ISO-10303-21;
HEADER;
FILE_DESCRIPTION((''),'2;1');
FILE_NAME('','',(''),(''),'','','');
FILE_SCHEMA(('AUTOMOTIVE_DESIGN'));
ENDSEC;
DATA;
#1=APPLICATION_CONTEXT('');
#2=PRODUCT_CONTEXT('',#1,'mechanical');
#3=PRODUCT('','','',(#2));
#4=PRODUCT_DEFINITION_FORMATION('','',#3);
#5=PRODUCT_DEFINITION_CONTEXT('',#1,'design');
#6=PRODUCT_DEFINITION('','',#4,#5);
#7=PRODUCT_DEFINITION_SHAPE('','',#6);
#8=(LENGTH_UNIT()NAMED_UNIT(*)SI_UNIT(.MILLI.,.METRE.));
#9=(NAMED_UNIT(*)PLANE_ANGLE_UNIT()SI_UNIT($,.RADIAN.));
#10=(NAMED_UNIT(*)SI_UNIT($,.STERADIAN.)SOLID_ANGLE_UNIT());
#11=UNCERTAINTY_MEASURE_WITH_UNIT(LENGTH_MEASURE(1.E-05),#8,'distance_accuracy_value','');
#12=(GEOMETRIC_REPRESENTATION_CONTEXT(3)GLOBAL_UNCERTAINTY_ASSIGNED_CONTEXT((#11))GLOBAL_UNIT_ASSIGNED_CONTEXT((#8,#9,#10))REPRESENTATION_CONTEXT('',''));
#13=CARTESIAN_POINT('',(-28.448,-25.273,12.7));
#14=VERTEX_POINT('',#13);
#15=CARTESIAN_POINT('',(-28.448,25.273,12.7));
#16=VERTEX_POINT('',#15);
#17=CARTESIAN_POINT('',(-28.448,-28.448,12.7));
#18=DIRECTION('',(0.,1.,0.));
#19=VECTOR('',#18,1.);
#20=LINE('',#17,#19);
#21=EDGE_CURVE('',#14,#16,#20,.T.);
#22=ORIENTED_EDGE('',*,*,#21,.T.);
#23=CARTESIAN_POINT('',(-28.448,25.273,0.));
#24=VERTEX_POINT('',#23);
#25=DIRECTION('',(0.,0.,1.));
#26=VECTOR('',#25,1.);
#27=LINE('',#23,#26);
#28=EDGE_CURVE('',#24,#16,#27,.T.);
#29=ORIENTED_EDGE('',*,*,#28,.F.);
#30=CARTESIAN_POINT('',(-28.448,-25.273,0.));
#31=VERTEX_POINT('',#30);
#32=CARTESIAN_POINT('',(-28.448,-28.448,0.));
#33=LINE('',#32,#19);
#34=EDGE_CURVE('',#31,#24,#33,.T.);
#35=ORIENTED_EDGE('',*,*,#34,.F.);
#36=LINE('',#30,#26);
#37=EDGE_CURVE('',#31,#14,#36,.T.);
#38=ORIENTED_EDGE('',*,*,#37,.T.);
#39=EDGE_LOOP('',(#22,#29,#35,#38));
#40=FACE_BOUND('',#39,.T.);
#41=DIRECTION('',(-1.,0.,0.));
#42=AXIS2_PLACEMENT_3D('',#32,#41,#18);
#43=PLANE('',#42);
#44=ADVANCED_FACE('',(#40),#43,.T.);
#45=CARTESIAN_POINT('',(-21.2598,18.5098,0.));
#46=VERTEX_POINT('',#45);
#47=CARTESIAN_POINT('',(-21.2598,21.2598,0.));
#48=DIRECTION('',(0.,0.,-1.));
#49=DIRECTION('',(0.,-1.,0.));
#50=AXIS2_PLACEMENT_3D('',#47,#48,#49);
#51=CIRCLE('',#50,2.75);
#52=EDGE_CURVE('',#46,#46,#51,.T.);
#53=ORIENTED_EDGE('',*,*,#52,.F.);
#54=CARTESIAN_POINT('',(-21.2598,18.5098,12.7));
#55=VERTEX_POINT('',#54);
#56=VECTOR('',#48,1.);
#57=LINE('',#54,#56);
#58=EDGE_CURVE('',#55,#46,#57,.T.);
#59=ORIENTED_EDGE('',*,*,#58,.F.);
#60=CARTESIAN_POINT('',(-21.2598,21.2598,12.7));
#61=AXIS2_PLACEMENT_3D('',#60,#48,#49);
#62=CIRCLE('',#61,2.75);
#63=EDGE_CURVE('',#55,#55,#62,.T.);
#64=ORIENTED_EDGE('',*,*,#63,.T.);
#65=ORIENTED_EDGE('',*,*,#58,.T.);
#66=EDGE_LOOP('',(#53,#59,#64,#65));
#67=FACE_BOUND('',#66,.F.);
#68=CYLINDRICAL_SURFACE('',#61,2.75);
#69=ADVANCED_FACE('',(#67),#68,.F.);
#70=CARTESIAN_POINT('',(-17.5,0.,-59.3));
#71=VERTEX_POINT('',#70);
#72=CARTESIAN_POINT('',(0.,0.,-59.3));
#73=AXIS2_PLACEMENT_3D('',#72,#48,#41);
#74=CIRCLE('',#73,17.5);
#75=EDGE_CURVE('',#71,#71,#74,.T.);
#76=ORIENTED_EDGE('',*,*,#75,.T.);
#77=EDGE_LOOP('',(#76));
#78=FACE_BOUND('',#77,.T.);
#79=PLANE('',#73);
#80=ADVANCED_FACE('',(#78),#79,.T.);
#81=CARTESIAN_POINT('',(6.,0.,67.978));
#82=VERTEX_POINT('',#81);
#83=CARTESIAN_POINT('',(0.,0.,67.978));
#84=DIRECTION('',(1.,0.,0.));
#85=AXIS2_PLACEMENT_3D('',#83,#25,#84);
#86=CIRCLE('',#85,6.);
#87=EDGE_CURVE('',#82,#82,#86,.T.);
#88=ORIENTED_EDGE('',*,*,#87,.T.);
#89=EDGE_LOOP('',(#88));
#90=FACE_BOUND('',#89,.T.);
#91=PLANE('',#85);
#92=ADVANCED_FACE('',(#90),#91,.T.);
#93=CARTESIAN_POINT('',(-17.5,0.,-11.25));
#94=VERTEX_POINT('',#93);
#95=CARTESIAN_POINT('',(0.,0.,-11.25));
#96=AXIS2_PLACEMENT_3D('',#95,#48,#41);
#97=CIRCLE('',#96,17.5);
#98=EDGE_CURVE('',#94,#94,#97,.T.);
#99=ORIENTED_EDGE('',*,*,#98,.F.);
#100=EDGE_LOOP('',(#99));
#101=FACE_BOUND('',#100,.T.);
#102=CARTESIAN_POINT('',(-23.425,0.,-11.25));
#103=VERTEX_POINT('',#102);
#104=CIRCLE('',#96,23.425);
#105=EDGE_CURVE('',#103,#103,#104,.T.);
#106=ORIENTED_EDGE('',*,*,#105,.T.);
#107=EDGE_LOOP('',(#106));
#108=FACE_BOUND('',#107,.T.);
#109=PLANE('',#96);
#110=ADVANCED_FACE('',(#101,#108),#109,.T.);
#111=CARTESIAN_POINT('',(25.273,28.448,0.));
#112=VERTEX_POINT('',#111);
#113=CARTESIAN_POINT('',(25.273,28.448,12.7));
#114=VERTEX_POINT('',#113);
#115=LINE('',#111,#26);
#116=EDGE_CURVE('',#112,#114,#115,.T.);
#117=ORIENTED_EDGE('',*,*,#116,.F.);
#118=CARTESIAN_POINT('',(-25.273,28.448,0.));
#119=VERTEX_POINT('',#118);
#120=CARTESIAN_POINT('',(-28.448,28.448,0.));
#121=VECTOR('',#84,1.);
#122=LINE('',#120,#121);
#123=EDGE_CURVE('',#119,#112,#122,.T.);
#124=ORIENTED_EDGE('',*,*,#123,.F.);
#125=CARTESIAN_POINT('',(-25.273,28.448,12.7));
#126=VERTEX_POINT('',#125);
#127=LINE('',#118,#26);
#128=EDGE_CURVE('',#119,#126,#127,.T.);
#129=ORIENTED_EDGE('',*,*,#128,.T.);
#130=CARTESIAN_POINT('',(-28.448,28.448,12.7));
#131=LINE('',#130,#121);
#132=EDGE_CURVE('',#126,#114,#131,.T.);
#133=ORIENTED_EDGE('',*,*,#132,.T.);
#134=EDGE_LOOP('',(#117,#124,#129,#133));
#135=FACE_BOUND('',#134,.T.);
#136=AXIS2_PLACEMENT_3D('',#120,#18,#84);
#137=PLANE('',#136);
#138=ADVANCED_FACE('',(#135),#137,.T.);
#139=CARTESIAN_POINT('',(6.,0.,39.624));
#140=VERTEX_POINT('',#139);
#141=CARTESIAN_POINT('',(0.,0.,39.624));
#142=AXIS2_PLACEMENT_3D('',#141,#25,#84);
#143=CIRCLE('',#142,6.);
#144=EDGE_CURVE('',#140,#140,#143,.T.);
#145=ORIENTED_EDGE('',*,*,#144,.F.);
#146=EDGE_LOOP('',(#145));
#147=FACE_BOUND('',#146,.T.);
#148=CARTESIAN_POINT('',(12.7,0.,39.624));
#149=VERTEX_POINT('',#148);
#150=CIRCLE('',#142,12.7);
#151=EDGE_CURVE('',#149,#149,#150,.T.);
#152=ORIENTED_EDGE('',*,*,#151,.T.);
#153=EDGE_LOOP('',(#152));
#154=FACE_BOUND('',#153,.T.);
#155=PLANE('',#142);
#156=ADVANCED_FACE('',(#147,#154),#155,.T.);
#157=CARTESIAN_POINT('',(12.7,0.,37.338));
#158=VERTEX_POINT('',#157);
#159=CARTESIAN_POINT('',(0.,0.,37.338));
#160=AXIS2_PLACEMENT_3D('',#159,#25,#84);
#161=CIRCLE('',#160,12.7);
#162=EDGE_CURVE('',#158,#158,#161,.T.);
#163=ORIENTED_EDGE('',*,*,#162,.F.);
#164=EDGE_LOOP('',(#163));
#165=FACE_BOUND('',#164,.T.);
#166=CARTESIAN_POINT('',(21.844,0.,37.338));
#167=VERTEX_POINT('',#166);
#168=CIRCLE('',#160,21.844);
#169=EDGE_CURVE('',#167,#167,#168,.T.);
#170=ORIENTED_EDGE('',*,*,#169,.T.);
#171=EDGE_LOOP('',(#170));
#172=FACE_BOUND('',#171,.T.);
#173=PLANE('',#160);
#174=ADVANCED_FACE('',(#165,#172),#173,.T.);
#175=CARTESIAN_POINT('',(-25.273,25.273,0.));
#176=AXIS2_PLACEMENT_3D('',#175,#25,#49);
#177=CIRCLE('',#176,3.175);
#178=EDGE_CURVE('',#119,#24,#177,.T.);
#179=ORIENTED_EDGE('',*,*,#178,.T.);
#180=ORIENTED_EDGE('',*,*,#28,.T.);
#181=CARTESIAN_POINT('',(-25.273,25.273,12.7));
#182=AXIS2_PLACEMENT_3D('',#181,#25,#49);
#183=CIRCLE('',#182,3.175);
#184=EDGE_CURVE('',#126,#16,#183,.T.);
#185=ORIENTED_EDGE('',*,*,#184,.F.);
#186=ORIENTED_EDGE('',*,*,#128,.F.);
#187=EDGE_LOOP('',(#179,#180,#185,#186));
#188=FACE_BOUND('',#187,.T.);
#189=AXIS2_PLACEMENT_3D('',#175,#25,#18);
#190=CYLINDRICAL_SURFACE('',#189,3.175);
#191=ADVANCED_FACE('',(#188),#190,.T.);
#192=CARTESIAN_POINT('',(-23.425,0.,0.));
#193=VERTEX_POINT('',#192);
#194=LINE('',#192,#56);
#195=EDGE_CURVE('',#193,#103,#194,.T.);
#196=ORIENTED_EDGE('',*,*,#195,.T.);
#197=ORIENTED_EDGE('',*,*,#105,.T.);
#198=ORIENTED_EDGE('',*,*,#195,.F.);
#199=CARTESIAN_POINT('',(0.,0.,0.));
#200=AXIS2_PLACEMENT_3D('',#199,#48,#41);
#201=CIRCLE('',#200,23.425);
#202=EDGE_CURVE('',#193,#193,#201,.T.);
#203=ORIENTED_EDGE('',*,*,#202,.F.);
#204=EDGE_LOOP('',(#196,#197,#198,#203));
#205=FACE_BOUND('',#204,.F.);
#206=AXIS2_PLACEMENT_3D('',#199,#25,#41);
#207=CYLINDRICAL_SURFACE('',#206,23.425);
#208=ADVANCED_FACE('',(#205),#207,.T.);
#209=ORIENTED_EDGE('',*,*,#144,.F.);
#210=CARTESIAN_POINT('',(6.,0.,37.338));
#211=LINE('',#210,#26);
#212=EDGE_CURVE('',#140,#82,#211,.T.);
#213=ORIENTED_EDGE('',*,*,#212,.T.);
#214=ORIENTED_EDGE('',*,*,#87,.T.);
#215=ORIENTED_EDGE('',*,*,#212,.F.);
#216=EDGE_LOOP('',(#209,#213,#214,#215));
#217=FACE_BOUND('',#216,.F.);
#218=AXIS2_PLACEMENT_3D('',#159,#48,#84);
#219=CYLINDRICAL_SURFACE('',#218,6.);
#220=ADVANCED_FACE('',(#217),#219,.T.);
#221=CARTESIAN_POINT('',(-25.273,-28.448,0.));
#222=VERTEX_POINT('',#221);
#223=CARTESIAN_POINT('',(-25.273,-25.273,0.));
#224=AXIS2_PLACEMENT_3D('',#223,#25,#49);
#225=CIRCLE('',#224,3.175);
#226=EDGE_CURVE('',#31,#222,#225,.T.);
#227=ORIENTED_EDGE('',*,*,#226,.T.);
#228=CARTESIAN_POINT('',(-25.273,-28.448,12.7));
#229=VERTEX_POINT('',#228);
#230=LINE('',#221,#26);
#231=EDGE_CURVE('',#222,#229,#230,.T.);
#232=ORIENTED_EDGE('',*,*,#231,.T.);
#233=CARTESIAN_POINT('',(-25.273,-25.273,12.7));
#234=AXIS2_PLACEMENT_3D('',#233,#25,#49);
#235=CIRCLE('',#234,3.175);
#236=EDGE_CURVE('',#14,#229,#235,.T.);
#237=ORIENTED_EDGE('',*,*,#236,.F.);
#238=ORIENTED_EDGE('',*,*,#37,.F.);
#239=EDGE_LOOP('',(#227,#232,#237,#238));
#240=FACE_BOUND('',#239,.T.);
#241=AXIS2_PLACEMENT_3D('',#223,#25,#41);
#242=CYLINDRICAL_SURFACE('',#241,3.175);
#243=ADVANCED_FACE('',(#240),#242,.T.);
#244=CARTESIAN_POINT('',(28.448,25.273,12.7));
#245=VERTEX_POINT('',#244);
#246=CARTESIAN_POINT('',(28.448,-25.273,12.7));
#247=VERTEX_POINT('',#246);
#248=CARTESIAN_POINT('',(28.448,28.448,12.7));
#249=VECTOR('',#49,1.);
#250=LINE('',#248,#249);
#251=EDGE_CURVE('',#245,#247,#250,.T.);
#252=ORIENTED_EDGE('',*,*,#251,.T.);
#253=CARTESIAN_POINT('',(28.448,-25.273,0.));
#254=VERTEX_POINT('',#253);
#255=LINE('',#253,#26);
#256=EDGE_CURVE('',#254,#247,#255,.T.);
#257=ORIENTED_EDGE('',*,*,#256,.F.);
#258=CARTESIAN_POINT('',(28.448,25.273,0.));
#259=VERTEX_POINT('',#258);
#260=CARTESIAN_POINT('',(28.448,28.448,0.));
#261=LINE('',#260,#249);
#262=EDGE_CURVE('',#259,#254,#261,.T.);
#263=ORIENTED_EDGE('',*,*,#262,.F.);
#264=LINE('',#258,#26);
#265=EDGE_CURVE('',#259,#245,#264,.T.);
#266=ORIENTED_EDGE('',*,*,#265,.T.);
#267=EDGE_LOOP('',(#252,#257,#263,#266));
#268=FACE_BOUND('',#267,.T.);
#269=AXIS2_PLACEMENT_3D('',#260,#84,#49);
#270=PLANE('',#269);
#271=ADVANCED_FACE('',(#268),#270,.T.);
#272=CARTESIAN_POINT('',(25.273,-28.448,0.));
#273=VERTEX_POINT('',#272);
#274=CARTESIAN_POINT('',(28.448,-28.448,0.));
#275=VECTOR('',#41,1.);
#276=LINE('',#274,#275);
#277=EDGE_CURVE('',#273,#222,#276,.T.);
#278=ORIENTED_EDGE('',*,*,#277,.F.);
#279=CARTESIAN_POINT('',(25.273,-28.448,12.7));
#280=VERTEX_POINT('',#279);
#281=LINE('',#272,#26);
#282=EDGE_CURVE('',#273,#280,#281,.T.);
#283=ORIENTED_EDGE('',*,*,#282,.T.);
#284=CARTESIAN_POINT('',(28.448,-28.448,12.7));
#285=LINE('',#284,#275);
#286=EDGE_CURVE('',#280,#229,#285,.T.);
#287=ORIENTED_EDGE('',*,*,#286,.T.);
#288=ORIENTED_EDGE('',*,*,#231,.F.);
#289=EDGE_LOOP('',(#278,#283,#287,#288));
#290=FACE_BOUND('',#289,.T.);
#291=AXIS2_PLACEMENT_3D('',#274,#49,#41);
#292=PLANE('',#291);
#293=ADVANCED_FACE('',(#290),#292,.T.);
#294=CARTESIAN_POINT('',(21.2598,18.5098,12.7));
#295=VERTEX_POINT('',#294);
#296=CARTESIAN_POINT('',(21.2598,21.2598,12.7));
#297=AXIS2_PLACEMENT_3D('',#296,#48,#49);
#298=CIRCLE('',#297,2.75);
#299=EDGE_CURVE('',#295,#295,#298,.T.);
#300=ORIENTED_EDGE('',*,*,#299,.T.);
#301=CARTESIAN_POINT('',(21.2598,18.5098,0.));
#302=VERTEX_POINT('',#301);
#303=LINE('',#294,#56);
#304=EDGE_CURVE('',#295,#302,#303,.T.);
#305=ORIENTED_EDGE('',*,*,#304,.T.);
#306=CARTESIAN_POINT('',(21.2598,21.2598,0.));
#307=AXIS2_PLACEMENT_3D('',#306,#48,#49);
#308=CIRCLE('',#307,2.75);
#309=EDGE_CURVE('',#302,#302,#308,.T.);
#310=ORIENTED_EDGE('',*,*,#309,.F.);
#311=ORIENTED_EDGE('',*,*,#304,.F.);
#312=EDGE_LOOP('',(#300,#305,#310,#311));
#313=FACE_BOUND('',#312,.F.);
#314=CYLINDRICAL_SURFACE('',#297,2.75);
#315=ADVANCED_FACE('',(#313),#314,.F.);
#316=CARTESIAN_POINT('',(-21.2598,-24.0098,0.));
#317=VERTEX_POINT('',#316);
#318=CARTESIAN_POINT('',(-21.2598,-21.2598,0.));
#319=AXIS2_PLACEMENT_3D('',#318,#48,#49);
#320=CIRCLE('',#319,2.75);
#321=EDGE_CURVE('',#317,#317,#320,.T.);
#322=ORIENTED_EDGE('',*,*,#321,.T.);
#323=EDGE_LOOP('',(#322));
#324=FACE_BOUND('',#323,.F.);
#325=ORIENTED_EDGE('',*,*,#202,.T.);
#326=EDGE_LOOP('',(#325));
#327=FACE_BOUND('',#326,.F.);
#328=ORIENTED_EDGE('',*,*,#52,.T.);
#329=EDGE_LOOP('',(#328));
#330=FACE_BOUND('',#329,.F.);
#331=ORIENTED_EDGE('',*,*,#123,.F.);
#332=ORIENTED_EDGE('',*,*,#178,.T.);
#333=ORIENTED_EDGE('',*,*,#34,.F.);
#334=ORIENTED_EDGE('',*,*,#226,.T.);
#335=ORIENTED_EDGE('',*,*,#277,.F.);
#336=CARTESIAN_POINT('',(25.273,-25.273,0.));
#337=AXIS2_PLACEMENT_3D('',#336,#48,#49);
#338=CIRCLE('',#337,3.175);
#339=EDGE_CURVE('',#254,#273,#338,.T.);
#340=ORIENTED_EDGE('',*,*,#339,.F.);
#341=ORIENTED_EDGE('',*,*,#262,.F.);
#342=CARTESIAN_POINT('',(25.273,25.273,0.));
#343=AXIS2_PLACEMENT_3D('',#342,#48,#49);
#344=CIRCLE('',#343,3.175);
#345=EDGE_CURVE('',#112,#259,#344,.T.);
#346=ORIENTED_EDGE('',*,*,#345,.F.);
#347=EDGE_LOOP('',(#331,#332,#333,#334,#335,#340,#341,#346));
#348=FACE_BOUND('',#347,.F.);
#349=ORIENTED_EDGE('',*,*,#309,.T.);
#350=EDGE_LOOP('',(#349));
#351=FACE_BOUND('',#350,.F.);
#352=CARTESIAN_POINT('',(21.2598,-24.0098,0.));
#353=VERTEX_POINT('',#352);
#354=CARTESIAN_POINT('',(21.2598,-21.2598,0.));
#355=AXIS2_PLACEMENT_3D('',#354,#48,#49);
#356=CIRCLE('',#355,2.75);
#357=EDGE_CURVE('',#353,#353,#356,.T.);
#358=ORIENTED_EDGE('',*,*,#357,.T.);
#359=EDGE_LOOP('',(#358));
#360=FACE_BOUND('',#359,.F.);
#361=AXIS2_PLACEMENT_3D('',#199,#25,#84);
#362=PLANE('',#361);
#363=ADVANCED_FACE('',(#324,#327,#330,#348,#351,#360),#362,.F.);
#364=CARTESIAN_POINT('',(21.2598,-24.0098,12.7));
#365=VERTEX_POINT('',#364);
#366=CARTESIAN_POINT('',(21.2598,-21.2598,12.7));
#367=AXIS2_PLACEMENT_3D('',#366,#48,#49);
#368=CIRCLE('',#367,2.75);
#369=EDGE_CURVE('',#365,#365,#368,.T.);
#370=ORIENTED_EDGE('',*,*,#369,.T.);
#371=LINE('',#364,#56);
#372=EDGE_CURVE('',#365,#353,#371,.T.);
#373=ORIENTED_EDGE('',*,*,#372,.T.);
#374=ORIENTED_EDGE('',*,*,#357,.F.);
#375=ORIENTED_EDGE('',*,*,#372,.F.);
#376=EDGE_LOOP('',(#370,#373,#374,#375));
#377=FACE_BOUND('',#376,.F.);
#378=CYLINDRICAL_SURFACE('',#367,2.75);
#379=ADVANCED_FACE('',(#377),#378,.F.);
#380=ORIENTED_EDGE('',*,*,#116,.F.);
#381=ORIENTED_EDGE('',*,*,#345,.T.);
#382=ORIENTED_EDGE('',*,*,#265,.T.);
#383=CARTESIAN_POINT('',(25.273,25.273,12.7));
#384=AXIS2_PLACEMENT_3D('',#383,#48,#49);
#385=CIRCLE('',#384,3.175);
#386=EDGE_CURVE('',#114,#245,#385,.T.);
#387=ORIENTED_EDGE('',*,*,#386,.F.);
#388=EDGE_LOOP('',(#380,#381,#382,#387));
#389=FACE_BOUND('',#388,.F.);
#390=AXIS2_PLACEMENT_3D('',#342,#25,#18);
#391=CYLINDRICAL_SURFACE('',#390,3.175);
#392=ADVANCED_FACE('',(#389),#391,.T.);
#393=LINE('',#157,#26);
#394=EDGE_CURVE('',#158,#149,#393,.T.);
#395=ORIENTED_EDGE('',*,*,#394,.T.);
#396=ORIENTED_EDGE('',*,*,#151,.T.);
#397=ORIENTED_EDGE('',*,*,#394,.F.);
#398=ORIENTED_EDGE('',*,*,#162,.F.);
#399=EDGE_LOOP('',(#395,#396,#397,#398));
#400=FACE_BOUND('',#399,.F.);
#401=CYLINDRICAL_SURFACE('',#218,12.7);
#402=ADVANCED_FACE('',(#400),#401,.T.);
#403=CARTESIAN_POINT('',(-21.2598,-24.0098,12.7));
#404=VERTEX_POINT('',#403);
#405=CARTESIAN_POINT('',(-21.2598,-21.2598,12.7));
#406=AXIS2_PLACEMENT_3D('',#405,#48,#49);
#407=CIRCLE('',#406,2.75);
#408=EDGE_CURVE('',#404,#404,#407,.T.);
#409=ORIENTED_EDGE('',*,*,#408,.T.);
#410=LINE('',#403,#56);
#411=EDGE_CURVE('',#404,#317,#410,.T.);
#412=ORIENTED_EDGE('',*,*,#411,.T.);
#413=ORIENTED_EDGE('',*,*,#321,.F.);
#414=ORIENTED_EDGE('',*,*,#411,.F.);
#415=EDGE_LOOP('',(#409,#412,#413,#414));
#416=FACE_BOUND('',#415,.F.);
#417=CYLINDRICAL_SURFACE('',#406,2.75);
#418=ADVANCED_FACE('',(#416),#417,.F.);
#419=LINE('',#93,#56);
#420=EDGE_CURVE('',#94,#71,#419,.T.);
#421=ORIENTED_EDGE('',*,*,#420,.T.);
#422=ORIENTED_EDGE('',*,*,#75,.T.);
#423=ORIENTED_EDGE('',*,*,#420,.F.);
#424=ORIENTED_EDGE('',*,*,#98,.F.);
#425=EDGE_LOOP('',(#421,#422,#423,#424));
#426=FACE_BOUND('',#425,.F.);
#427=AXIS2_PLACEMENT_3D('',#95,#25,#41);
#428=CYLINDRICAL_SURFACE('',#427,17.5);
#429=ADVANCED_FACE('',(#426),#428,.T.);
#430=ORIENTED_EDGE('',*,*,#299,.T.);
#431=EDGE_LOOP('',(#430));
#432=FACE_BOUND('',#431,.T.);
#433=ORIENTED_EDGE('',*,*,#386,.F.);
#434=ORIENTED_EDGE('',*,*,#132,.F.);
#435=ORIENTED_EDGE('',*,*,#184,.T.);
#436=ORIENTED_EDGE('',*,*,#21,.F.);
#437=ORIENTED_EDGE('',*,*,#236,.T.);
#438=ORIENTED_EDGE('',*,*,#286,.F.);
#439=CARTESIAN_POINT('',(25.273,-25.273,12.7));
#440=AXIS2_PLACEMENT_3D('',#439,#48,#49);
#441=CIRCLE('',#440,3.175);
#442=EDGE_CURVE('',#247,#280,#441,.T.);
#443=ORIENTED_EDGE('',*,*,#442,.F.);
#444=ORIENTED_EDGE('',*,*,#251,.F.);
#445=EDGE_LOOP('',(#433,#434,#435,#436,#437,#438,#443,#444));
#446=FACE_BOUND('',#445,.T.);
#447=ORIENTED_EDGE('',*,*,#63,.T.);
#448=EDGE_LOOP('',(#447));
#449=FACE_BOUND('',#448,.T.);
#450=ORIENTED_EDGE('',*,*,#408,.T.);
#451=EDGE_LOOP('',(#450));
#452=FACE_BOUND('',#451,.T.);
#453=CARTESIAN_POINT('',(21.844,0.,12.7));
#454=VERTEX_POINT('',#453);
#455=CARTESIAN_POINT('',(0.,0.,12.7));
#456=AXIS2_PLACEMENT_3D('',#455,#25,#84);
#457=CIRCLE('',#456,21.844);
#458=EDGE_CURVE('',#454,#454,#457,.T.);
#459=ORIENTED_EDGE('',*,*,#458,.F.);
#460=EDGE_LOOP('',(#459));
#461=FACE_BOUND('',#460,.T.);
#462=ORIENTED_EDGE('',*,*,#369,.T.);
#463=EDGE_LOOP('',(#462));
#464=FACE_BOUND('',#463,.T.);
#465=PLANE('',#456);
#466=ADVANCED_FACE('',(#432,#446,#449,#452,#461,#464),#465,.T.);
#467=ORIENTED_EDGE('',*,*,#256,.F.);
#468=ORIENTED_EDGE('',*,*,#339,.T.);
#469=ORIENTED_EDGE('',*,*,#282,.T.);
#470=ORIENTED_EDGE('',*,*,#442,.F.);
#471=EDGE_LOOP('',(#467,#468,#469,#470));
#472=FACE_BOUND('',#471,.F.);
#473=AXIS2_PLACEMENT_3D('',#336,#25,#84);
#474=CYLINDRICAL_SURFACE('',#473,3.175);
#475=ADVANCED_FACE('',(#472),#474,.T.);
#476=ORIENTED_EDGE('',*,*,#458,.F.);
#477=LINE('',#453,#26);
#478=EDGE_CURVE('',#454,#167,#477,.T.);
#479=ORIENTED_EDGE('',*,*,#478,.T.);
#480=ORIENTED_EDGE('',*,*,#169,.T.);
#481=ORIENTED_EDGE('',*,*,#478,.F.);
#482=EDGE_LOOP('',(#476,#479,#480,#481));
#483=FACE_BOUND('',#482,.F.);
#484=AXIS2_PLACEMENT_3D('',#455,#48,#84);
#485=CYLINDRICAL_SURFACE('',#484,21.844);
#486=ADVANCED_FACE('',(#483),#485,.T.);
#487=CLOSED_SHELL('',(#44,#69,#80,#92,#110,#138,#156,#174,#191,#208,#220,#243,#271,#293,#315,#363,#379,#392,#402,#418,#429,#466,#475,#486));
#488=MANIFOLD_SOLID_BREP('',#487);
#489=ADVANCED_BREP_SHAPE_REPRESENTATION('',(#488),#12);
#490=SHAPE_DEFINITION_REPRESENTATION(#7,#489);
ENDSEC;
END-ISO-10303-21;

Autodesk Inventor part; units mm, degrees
ref_plane "YZ Plane" through (0, 0, 0) normal (1, 0, 0) x (0, 1, 0)
ref_plane "XZ Plane" through (0, 0, 0) normal (0, 1, 0) x (-1, 0, 0)
ref_plane "XY Plane" through (0, 0, 0) normal (0, 0, 1) x (1, 0, 0)
sketch "Sketch1" plane through (0, 0, 0) normal (0, 0, 1) x (1, 0, 0)
  line L0 (-28.448, 28.448) -> (28.448, 28.448)
  line L1 (28.448, 28.448) -> (28.448, -28.448)
  line L2 (28.448, -28.448) -> (-28.448, -28.448)
  line L3 (-28.448, -28.448) -> (-28.448, 28.448)
  point P0 (0, 0)
  point P1 (-28.448, 0)
  point P2 (0, 28.448)
  dimension "d0" = 56.896
extrude "Extrusion1" add sketch "Sketch1" along normal blind 12.7
sketch "Sketch2" plane through (0, 0, 12.7) normal (0, 0, 1) x (1, 0, 0)
  circle A0 centre (0, 0) radius 21.844
  dimension "d4" = 43.688
extrude "Extrusion2" add sketch "Sketch2" along normal blind 24.638
sketch "Sketch3" plane through (0, 0, 37.338) normal (0, 0, 1) x (1, 0, 0)
  circle A0 centre (0, 0) radius 21.844 projected
  circle A1 centre (0, 0) radius 6
  dimension "d8" = 12
extrude "Extrusion3" add sketch "Sketch3" along normal blind 30.64 contours A1
thread "Thread1" size "1/2-13 UNC" class "2A" standard "ANSI Unified Screw Threads" full length
sketch "Sketch4" plane through (0, 0, 0) normal (0, 0, -1) x (-1, 0, 0)
  circle A0 centre (0, 0) radius 23.425
  dimension "d14" = 46.85
extrude "Extrusion4" add sketch "Sketch4" along normal blind 11.25
fillet "Fillet1" radius 3.175 4 edges at (28.448, 28.448, 6.35) (-28.448, 28.448, 6.35) (28.448, -28.448, 6.35) (-28.448, -28.448, 6.35)
sketch "Sketch5" plane through (0, 0, -11.25) normal (0, 0, -1) x (-1, 0, 0)
  circle A0 centre (0, 0) radius 23.425 projected
  circle A1 centre (0, 0) radius 17.5
  dimension "d21" = 35
extrude "Extrusion5" add sketch "Sketch5" along normal blind 48.05 contours A1
sketch "Sketch6" plane through (0, 0, 12.7) normal (0, 0, 1) x (1, 0, 0)
  line L0 (28.448, -25.273) -> (28.448, 25.273) projected
  line L1 (25.273, 28.448) -> (-25.273, 28.448) projected
  line L2 (-28.448, 25.273) -> (-28.448, -25.273) projected
  line L3 (21.2598, 21.2598) -> (21.2598, -21.2598)
  line L4 (-21.2598, 21.2598) -> (21.2598, 21.2598)
  point P0 (-21.2598, -21.2598)
  point P1 (0, 21.2598)
  point P2 (0, 28.448)
  point P3 (21.2598, 0)
  point P4 (28.448, 0)
  dimension "d25" = 42.5196
  dimension "d27" = 42.5196
hole "Hole1" at (-21.2598, 21.2598, 12.7) at (21.2598, 21.2598, 12.7) at (21.2598, -21.2598, 12.7) at (-21.2598, -21.2598, 12.7) direction (0, 0, -1) diameter 5.5 end through all
sketch "Sketch7" plane through (0, 0, 37.338) normal (0, 0, 1) x (1, 0, 0)
  circle A0 centre (0, 0) radius 6 projected
  circle A1 centre (0, 0) radius 21.844 projected
  circle A2 centre (0, 0) radius 12.7
  dimension "d35" = 25.4
extrude "Extrusion6" add sketch "Sketch7" along normal blind 2.286 contours A2
properties part number "Pg_15"
